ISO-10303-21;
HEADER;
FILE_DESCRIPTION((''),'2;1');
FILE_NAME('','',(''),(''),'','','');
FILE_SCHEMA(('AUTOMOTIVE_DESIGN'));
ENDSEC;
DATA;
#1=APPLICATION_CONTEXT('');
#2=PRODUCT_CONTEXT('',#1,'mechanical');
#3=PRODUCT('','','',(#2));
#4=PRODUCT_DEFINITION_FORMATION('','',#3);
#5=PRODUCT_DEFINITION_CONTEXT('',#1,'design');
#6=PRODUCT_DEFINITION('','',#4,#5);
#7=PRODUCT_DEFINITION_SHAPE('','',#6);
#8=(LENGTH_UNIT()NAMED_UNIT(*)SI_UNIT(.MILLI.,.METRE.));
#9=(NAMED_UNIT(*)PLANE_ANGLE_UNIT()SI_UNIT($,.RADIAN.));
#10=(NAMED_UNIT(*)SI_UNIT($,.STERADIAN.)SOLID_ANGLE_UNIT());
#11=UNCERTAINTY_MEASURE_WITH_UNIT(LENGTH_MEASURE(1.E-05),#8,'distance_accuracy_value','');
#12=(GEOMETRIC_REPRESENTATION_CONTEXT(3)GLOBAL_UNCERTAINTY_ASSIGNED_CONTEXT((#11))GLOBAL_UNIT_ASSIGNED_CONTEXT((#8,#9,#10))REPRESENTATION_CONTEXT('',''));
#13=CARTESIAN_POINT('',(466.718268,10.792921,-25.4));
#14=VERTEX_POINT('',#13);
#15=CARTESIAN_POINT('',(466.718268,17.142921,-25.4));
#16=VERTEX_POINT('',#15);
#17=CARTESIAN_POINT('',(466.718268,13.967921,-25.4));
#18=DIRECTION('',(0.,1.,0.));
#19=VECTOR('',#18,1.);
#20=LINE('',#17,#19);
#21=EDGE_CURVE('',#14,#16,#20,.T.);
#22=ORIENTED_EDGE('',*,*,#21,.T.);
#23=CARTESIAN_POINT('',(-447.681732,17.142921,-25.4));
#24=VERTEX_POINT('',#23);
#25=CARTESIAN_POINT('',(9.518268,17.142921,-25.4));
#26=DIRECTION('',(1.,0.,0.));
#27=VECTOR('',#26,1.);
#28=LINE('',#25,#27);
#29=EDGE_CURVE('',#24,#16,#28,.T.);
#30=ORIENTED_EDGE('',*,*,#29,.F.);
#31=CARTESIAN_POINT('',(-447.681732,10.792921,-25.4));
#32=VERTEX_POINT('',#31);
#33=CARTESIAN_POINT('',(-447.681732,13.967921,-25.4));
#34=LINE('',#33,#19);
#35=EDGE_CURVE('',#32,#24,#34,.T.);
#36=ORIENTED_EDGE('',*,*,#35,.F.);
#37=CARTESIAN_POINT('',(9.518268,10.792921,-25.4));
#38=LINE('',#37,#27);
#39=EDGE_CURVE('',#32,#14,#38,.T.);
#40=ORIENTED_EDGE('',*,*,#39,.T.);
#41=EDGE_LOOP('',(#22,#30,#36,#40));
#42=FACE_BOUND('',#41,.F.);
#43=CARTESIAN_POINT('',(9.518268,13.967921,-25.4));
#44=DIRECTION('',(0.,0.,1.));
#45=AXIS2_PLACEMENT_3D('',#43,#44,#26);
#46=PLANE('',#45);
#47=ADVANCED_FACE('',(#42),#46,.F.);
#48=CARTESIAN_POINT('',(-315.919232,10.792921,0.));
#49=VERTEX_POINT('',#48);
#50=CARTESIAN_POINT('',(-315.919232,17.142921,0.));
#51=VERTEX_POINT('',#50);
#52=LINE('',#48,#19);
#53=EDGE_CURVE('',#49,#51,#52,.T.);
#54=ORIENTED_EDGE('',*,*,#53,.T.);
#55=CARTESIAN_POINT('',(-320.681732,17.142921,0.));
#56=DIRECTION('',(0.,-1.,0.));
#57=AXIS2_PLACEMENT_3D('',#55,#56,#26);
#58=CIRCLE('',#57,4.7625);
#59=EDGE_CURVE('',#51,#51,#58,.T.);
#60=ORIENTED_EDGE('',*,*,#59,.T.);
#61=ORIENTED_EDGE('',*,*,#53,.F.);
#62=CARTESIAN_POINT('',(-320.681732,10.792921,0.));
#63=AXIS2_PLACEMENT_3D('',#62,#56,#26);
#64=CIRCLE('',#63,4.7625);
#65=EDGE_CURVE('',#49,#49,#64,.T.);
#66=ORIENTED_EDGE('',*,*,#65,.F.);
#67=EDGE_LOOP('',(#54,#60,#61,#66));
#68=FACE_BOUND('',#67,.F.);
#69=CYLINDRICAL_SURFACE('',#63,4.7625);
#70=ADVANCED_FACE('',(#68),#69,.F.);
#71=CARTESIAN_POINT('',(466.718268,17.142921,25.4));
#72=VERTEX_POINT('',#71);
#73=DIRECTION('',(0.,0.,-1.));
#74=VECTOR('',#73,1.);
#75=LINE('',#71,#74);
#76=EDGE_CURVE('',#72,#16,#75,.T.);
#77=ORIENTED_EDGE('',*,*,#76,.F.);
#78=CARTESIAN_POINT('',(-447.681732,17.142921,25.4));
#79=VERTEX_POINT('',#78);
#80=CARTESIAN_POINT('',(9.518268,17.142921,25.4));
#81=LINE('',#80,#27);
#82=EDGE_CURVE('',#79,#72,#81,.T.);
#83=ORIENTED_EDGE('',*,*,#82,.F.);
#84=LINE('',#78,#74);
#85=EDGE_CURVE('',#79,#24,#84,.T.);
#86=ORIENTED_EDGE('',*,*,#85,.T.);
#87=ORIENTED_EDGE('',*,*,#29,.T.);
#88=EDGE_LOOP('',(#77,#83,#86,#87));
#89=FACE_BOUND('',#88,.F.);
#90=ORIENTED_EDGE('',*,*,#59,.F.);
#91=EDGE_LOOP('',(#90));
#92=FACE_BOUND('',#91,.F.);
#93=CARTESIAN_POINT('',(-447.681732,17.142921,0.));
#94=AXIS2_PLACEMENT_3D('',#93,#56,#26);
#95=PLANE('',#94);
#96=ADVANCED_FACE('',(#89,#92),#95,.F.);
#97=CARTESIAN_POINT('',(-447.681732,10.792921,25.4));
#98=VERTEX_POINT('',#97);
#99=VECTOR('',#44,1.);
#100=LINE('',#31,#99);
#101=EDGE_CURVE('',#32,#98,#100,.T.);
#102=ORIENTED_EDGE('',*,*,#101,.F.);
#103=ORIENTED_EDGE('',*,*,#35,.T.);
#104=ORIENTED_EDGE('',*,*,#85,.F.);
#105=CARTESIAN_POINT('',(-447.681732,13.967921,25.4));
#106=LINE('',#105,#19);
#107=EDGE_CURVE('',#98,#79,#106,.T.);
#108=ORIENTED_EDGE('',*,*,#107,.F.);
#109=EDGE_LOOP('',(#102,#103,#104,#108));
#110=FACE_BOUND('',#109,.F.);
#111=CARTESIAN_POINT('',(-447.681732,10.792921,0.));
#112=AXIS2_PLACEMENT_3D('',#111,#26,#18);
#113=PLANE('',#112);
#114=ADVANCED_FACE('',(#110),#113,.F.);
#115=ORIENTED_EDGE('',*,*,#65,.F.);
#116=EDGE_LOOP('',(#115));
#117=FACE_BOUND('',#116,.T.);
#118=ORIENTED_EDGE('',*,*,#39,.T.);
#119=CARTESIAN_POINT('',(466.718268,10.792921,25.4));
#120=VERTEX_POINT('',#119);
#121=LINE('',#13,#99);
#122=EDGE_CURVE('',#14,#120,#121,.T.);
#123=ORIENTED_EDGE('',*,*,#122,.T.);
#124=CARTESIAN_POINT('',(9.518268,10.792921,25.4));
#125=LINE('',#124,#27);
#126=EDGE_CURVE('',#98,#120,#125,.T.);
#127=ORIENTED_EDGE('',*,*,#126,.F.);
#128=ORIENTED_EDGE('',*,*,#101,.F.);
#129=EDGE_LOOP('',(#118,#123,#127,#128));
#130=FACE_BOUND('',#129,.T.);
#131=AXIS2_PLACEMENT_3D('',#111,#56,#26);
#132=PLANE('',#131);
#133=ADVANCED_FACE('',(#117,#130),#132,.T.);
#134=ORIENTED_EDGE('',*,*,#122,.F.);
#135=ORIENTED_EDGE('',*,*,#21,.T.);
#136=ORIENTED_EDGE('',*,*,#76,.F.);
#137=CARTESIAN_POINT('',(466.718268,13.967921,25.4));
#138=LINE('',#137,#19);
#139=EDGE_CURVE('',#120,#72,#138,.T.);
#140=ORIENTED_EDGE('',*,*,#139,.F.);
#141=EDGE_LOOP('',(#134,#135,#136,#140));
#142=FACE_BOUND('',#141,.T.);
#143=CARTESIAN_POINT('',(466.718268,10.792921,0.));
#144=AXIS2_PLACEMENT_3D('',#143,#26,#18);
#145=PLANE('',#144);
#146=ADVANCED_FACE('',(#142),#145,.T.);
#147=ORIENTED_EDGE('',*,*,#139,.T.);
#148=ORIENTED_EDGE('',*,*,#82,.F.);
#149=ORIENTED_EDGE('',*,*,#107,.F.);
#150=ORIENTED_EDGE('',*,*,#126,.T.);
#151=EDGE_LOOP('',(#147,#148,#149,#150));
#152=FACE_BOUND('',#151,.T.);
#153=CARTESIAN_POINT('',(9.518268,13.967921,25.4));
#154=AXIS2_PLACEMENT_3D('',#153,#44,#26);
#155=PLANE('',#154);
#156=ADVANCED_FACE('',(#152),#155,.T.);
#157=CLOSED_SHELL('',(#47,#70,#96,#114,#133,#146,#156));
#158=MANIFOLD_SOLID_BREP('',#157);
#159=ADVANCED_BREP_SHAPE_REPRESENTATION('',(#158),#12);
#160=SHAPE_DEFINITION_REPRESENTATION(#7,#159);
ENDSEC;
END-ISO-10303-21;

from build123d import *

# Parameters (mm, degrees)
F0_W     = 914.4
F0_H     = 6.35
F1_DEPTH = 25.4
F2_R     = 4.7625
F3_DEPTH = 6.351


with BuildPart() as f1:
    # F0 (on Top) → F1 (new body, symmetric)
    with BuildSketch(Plane.XY):
        with Locations((9.518268, 13.967921)):
            Rectangle(F0_W, F0_H)
    extrude(amount=F1_DEPTH, both=True)

    # F2 (on face) → F3 (cut, through all)
    with BuildSketch(Plane.XZ.offset(-10.792921)):
        with Locations((-320.681732, 0)):
            Circle(F2_R)
    extrude(amount=-F3_DEPTH, mode=Mode.SUBTRACT)


solid = f1.part
